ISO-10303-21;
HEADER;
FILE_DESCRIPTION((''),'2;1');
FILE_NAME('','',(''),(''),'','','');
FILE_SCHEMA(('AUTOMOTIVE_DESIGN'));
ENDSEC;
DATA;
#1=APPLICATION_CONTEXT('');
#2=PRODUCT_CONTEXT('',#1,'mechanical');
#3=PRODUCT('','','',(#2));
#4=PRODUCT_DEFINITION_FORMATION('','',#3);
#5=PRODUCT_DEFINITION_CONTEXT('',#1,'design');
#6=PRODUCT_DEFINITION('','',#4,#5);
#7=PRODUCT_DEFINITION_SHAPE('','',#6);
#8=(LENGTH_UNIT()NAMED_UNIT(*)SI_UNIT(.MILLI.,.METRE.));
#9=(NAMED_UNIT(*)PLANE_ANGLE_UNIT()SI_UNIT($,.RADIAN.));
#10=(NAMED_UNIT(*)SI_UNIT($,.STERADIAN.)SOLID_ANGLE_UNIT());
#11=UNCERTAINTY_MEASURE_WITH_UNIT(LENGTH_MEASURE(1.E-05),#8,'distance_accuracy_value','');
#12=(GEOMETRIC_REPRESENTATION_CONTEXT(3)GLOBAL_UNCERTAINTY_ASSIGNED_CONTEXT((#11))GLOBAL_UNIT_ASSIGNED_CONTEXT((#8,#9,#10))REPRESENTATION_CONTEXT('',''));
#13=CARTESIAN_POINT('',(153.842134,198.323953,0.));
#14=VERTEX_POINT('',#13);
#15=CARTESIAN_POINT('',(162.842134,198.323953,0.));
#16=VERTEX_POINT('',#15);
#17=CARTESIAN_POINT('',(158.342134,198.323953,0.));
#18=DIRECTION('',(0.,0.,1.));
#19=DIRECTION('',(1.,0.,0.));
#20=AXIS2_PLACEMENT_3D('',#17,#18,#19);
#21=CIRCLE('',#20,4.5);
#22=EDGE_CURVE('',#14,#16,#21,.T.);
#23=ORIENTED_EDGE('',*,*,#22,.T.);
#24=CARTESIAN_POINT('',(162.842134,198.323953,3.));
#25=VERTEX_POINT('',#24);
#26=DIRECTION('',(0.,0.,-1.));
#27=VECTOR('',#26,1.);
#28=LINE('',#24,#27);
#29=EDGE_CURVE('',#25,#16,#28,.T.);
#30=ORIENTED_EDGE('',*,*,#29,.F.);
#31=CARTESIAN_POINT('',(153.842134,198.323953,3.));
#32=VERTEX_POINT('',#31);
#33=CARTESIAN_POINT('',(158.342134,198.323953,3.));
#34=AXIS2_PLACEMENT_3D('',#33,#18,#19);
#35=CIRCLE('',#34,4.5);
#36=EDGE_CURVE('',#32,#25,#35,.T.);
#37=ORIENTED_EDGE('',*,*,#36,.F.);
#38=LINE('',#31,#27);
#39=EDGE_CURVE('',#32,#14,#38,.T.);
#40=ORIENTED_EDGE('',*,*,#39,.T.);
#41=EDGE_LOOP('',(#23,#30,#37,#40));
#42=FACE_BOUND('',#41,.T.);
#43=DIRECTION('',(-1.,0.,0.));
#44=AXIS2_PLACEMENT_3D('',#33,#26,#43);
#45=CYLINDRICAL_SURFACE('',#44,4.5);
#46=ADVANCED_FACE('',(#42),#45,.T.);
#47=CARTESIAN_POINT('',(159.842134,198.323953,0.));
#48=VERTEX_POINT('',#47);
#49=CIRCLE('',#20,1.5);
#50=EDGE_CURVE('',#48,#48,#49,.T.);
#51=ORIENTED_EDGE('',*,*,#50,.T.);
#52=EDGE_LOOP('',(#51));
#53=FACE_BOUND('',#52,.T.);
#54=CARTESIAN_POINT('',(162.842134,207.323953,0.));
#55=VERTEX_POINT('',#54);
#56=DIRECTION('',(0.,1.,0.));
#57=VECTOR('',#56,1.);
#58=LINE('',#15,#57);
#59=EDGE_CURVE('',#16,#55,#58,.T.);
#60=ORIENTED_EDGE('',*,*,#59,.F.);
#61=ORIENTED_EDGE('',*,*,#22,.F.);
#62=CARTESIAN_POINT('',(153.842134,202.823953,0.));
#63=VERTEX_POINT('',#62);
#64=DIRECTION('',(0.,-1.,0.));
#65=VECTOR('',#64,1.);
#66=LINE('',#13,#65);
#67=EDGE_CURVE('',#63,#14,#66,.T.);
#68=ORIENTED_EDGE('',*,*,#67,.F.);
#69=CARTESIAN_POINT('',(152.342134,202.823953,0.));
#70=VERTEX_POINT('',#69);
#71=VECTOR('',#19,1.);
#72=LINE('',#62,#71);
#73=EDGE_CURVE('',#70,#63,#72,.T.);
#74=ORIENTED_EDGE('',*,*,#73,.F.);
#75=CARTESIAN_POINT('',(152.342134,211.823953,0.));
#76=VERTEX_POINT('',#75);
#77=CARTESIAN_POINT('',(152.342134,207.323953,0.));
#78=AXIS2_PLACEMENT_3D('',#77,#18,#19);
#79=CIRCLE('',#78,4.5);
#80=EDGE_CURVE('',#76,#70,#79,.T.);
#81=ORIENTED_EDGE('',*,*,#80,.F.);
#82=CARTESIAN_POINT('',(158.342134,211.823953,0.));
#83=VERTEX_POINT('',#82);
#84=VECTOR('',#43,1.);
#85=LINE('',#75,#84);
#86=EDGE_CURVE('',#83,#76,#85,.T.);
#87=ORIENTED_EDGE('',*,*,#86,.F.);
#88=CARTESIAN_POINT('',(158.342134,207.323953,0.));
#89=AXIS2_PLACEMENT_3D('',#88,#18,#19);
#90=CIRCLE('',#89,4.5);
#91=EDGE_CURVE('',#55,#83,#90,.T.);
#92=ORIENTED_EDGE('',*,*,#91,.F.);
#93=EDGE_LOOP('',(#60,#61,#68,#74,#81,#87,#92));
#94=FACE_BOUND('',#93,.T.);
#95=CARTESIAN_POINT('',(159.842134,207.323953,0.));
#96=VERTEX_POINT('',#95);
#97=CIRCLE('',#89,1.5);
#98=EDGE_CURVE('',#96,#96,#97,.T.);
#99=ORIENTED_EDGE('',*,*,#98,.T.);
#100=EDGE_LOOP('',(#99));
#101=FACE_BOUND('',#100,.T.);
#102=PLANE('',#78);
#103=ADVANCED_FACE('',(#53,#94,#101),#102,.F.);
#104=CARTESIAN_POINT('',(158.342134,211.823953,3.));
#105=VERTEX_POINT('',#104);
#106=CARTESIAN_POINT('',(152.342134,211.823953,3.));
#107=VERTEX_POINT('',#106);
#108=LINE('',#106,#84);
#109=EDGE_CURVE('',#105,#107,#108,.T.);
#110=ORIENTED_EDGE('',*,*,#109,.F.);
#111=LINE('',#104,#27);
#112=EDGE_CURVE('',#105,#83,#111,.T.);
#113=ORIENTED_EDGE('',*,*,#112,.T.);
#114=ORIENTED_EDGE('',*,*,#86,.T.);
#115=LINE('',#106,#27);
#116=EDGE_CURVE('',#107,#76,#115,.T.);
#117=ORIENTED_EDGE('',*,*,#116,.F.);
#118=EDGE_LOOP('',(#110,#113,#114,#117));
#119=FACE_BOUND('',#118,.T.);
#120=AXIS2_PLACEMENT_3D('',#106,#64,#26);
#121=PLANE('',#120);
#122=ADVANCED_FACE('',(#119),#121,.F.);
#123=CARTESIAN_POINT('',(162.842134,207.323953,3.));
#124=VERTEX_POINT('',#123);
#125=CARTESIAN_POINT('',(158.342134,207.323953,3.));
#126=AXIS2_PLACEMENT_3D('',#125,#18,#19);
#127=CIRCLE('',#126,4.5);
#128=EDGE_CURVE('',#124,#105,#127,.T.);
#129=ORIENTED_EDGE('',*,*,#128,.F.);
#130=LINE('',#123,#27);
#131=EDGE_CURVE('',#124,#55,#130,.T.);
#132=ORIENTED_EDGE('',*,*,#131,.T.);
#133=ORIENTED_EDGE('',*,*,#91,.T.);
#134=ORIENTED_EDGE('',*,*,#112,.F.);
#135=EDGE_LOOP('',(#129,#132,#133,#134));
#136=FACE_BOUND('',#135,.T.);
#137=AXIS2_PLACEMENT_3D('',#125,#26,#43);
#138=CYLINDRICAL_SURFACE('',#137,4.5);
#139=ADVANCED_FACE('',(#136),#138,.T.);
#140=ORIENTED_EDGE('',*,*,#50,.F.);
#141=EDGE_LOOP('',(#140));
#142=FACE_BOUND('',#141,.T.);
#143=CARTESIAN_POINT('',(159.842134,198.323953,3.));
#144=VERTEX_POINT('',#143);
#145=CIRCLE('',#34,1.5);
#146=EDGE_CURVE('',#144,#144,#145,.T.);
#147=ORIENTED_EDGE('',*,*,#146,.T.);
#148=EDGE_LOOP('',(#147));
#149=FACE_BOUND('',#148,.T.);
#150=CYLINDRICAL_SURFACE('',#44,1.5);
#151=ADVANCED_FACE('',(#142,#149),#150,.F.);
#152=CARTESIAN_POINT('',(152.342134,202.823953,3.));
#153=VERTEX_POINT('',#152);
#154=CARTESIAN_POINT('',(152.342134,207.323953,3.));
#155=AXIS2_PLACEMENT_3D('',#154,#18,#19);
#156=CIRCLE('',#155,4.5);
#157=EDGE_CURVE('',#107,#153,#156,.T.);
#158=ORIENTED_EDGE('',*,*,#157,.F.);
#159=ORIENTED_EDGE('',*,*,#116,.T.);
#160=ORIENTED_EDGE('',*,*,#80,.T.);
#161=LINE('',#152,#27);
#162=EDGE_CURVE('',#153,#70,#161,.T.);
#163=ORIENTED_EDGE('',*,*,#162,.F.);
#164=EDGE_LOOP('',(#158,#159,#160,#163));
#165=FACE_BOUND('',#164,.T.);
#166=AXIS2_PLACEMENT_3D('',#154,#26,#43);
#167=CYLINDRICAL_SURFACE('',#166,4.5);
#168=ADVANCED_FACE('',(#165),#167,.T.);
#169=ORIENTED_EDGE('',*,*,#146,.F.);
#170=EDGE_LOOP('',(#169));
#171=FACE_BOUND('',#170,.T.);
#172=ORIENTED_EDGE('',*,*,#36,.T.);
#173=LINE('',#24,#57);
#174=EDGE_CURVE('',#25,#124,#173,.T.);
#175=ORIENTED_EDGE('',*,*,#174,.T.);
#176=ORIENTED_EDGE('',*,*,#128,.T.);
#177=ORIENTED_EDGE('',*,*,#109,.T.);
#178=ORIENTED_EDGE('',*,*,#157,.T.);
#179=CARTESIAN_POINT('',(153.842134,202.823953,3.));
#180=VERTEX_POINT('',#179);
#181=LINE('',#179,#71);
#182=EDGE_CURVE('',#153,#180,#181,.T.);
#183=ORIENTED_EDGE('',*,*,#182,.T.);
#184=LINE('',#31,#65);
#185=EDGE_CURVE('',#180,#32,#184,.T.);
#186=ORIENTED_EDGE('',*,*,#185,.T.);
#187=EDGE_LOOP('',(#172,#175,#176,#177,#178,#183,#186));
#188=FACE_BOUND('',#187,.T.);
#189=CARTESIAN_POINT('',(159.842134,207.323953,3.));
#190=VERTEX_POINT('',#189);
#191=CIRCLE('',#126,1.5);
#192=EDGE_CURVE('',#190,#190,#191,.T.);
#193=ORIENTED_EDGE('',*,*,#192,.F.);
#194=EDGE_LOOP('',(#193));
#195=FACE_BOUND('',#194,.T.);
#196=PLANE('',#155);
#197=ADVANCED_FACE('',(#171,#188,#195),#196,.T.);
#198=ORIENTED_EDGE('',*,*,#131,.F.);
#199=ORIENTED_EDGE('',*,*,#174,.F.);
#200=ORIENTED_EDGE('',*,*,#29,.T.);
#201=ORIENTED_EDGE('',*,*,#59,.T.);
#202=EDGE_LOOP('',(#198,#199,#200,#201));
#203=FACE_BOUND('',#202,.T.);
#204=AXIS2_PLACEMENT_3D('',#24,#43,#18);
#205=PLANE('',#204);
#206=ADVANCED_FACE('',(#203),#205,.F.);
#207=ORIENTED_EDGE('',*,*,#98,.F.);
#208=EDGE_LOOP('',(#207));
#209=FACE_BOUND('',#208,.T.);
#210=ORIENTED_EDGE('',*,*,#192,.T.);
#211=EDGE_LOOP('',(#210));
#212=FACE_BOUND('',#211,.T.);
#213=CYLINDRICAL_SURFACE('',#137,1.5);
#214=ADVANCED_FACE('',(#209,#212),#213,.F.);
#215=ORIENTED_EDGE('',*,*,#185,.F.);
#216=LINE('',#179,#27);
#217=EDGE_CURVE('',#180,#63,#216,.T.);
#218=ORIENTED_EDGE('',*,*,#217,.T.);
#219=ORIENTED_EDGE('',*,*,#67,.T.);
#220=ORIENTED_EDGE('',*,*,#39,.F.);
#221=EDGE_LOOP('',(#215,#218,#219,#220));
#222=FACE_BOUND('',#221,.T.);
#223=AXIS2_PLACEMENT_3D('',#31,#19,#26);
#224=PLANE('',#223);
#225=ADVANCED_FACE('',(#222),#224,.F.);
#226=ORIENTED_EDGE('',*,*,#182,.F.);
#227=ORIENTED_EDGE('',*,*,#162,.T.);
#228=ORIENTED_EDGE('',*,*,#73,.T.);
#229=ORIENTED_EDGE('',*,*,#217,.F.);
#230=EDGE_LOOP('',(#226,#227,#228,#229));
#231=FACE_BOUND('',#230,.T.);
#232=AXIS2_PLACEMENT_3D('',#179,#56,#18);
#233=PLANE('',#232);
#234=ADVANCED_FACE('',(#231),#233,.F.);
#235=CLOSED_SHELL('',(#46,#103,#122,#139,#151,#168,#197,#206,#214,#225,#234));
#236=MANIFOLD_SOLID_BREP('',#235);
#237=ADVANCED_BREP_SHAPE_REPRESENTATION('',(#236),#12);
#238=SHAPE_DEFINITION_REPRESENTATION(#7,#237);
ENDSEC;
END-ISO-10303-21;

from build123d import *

# Parameters (mm, degrees)
MODEL_R                 = 1.5
SALIENTE_EXTRUIR1_DEPTH = 3


with BuildPart() as part:
    # Model → Saliente-Extruir1 (new body)
    with BuildSketch(Plane.XY):
        with BuildLine():
            Line((152.34213351, 211.823953209), (158.34213351, 211.823953209))
            ThreePointArc((158.34213351, 211.823953209), (161.524114025, 210.505933724), (162.84213351, 207.323953209))
            Line((162.84213351, 207.323953209), (162.84213351, 198.323953209))
            ThreePointArc((162.84213351, 198.323953209), (158.34213351, 193.823953209), (153.84213351, 198.323953209))
            Line((153.84213351, 198.323953209), (153.84213351, 202.823953209))
            Line((153.84213351, 202.823953209), (152.34213351, 202.823953209))
            ThreePointArc((152.34213351, 202.823953209), (147.84213351, 207.323953209), (152.34213351, 211.823953209))
        make_face()
        with Locations((158.34213351, 207.323953209)):
            Circle(MODEL_R, mode=Mode.SUBTRACT)
        with Locations((158.34213351, 198.323953209)):
            Circle(MODEL_R, mode=Mode.SUBTRACT)
    extrude(amount=SALIENTE_EXTRUIR1_DEPTH)


solid = part.part
